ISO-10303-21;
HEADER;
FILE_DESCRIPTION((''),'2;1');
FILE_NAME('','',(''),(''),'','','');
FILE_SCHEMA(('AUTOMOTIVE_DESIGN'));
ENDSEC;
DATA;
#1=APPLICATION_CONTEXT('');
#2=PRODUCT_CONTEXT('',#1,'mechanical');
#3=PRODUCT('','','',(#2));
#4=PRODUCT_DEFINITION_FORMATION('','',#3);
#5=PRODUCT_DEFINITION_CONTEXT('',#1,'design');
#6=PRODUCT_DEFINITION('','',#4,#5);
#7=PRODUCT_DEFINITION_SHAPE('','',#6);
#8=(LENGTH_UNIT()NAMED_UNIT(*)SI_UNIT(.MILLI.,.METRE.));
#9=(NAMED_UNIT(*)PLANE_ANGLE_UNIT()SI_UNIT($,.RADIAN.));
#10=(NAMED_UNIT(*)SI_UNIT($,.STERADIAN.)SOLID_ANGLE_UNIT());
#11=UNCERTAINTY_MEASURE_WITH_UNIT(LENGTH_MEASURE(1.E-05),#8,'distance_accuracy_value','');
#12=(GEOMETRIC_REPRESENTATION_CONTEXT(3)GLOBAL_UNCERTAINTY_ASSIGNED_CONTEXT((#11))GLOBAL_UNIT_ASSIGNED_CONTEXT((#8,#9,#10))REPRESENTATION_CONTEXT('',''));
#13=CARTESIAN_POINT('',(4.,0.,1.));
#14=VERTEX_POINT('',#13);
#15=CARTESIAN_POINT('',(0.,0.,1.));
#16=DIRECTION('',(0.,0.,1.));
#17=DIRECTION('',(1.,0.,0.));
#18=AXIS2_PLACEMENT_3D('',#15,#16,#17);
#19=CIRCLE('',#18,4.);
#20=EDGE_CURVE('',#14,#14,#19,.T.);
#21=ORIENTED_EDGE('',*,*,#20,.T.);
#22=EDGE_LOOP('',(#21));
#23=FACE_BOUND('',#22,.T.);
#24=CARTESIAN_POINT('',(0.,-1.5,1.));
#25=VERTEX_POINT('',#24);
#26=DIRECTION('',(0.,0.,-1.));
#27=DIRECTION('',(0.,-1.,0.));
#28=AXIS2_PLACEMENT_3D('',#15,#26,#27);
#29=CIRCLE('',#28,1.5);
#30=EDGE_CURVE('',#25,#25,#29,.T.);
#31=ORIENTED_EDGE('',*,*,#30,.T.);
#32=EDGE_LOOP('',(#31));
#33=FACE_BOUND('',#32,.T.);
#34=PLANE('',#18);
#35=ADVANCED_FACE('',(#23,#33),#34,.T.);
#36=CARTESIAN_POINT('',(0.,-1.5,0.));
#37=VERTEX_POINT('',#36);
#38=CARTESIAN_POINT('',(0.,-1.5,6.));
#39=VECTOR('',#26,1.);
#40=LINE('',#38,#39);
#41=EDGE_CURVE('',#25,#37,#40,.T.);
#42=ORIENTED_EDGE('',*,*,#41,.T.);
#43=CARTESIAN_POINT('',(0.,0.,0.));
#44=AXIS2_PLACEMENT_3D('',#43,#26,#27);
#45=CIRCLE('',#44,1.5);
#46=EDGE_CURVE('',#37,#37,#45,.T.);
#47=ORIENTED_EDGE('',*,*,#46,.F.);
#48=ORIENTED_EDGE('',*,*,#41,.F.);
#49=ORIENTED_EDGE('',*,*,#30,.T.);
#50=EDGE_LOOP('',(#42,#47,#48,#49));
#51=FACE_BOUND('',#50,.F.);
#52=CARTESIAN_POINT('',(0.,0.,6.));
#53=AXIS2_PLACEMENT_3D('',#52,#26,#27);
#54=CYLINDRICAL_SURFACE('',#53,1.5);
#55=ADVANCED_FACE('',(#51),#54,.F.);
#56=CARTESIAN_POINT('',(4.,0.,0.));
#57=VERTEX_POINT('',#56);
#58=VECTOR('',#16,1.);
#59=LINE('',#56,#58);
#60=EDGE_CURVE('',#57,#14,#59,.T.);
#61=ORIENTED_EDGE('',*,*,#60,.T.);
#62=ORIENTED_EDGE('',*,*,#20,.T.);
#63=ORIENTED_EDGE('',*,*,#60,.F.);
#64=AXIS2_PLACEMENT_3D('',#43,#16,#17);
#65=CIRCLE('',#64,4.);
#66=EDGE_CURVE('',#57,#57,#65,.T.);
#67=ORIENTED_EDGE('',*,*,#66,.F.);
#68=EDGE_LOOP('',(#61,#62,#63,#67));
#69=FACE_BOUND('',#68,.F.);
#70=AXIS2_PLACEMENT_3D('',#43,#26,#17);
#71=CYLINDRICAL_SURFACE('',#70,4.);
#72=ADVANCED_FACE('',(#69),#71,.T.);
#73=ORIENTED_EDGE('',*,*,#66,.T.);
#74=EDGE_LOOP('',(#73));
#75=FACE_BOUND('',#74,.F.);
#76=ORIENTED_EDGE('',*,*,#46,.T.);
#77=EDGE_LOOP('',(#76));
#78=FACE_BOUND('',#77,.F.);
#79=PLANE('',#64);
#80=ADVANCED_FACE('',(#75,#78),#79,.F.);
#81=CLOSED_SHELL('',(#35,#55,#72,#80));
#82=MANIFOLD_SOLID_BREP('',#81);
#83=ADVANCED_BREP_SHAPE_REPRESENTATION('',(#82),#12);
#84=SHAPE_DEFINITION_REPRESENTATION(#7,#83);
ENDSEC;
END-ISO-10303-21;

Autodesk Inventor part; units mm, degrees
ref_plane "YZ Plane" through (0, 0, 0) normal (1, 0, 0) x (0, 1, 0)
ref_plane "XZ Plane" through (0, 0, 0) normal (0, 1, 0) x (-1, 0, 0)
ref_plane "XY Plane" through (0, 0, 0) normal (0, 0, 1) x (1, 0, 0)
sketch "スケッチ1" plane through (0, 0, 0) normal (0, 0, 1) x (1, 0, 0)
  circle A0 centre (0, 0) radius 4
  dimension "d0" = 8
extrude "押し出し1" add sketch "スケッチ1" along normal blind 1
sketch "スケッチ2" plane through (0, 0, 1) normal (0, 0, 1) x (1, 0, 0)
  circle A0 centre (0, 0) radius 2.5
  dimension "d3" = 5
extrude "押し出し2" add sketch "スケッチ2" along normal blind 5
sketch "スケッチ3" plane through (0, 0, 6) normal (0, 0, 1) x (1, 0, 0)
  point P0 (0, 0)
  point P1 (0, 0)
hole "穴1" at (0, 0, 6) direction (0, 0, -1) diameter 3 end through all
sketch "スケッチ4" plane through (0, 0, 6) normal (0, 0, 1) x (1, 0, 0)
  circle A0 centre (0, 0) radius 2.5
extrude "押し出し3" cut sketch "スケッチ4" against normal up to surface (5 mm away)
properties part number "RD017"
